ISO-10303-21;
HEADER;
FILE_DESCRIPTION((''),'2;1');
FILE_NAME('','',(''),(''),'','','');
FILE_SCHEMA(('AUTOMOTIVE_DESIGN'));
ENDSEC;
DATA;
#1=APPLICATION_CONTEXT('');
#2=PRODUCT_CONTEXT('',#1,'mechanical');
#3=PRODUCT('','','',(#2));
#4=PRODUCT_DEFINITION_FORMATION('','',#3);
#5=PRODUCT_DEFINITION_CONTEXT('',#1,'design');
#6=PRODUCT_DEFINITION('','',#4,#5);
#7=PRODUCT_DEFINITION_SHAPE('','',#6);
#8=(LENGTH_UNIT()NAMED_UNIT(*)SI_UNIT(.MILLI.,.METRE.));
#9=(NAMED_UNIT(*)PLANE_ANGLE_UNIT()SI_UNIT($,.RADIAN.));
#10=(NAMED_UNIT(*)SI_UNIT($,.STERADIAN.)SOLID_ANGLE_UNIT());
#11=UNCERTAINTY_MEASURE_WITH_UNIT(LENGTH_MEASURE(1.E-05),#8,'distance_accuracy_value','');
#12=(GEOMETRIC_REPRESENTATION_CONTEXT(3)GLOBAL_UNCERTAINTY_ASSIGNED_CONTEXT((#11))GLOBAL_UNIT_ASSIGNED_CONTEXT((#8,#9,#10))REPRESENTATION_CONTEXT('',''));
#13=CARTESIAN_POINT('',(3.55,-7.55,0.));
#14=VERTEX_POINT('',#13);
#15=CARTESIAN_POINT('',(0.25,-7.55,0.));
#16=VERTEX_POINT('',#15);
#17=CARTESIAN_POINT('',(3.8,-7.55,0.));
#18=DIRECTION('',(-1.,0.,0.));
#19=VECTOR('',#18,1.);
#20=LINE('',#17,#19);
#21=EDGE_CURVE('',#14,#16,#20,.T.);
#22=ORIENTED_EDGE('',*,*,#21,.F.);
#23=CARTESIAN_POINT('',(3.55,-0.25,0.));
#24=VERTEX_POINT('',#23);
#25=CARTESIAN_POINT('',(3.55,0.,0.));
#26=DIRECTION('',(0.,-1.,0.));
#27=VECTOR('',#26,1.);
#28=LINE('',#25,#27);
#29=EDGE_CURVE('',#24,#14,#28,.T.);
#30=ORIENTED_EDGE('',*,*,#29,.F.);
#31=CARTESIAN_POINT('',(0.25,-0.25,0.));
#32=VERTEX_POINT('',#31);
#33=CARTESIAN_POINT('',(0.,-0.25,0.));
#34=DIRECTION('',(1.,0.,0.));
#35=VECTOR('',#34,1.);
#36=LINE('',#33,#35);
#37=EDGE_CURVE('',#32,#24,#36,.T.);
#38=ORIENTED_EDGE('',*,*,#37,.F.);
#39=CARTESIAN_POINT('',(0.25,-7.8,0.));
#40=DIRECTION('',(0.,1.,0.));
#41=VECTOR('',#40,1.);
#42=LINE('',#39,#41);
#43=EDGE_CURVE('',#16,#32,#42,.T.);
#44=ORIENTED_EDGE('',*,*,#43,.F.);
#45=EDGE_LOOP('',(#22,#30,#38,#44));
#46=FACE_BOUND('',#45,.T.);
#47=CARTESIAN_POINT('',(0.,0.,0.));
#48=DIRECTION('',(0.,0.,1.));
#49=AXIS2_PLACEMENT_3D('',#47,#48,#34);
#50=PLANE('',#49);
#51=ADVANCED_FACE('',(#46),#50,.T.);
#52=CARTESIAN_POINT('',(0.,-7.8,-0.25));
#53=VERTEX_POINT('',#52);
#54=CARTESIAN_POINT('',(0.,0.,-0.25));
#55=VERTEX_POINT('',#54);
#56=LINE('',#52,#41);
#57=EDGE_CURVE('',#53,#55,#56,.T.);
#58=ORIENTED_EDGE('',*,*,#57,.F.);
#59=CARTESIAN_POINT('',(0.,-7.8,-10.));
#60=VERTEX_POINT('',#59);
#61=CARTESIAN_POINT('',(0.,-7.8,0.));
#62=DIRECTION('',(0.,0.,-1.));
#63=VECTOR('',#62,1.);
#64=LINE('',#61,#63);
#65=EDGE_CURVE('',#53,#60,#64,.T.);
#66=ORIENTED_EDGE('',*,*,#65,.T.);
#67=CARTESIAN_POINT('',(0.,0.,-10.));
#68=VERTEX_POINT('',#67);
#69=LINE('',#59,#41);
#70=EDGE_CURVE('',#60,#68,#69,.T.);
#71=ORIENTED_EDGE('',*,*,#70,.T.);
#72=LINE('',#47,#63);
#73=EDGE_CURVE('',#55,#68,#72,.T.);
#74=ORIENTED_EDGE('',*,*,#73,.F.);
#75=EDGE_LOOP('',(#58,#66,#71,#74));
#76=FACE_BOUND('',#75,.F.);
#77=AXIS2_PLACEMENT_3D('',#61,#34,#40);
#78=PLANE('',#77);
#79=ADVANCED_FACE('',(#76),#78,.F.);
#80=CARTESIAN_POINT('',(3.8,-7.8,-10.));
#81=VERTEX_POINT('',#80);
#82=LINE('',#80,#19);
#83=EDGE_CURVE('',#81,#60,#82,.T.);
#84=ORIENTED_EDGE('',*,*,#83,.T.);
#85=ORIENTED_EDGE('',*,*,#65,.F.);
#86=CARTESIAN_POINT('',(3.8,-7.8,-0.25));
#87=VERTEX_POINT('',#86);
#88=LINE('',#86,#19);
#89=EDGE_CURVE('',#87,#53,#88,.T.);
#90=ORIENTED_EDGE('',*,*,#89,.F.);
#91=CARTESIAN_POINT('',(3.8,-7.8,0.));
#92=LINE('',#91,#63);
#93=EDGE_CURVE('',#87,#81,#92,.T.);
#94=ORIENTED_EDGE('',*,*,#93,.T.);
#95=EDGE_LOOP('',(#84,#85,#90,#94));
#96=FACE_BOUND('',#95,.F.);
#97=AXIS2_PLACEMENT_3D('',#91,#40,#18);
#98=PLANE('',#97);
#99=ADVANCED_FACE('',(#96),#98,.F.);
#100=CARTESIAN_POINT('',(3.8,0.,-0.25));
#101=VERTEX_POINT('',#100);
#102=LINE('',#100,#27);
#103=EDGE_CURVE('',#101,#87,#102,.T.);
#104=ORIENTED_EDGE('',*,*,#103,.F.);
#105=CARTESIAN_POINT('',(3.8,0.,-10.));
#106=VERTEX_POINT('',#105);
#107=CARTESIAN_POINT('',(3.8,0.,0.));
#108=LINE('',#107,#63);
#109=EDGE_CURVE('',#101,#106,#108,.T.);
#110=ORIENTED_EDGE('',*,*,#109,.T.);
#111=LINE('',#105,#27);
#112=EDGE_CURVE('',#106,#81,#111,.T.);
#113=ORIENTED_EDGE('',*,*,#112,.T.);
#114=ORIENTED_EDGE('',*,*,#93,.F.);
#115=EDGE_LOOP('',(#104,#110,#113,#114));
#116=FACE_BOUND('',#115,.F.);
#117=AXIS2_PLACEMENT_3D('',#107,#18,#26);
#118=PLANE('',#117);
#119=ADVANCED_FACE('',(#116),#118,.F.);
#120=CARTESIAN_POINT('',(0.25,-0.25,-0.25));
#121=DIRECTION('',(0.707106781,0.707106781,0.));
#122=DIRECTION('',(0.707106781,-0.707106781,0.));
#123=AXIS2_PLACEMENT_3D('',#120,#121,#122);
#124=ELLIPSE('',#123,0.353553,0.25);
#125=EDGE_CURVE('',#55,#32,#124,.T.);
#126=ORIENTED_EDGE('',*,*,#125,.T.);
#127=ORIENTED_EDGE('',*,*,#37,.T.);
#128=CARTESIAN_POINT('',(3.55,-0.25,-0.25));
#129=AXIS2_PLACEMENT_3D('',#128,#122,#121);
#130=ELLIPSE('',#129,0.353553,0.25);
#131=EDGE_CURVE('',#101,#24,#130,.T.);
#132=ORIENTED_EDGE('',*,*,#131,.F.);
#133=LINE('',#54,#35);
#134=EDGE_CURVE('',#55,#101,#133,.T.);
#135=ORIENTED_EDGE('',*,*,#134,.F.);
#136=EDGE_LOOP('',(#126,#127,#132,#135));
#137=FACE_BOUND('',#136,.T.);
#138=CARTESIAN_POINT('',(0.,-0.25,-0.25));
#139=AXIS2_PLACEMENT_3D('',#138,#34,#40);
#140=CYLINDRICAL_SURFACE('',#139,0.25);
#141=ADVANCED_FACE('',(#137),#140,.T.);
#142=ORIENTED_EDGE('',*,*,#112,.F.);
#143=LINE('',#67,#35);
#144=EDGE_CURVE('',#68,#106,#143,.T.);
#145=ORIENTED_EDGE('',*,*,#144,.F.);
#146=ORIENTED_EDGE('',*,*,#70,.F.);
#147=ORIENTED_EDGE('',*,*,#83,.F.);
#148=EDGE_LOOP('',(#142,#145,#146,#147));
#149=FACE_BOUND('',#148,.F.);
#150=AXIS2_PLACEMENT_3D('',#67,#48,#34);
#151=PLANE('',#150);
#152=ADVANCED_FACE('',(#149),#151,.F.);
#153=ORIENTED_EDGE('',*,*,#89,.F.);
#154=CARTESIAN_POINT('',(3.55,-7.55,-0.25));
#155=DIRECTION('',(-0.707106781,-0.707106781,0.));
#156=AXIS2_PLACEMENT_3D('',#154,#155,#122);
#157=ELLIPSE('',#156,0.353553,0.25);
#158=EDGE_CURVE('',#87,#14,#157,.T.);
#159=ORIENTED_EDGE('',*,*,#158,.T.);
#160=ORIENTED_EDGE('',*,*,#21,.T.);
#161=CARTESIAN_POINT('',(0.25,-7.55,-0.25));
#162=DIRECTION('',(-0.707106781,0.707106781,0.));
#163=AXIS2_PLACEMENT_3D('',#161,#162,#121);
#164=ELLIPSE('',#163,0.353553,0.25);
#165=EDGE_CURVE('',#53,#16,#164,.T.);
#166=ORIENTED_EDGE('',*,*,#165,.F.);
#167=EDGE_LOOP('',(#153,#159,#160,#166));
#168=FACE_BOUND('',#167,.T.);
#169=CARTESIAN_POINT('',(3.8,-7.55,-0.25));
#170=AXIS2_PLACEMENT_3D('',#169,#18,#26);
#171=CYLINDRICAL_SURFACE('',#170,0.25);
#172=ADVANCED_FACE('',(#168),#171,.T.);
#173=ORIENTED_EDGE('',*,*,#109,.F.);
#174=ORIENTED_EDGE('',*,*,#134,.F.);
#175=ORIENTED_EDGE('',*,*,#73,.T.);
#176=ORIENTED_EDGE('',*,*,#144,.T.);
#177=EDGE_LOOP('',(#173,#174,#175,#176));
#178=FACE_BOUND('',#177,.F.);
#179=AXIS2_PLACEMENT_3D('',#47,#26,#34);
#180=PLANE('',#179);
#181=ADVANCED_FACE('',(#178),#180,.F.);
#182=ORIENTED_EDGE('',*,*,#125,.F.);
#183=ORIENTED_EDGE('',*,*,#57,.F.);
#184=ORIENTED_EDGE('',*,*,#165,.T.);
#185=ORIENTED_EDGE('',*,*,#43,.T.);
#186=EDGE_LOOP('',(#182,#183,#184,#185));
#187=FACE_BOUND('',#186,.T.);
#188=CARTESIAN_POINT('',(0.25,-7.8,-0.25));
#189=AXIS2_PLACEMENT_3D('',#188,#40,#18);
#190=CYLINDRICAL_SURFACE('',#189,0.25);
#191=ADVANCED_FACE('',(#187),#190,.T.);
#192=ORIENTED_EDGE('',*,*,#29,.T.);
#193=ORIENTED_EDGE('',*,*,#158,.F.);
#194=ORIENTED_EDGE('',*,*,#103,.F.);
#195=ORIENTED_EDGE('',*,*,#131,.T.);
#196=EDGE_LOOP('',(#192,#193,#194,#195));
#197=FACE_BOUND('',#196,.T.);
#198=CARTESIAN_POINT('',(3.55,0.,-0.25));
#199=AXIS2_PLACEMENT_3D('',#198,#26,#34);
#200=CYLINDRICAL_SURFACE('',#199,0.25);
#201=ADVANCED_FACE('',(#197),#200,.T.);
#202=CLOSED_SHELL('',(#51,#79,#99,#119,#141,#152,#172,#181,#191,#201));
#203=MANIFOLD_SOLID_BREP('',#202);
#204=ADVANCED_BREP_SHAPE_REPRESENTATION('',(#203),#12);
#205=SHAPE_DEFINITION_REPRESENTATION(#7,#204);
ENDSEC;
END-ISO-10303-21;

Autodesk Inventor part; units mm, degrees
ref_plane "YZ Plane" through (0, 0, 0) normal (1, 0, 0) x (0, 1, 0)
ref_plane "XZ Plane" through (0, 0, 0) normal (0, 1, 0) x (-1, 0, 0)
ref_plane "XY Plane" through (0, 0, 0) normal (0, 0, 1) x (1, 0, 0)
sketch "Sketch1" plane through (0, 0, 0) normal (0, 0, 1) x (1, 0, 0)
  line L0 (0, 0) -> (3.8, 0)
  line L1 (3.8, 0) -> (3.8, -7.8)
  line L2 (3.8, -7.8) -> (0, -7.8)
  line L3 (0, -7.8) -> (0, 0)
  dimension "d0" = 3.8
  dimension "d1" = 7.8
extrude "Extrusion1" add sketch "Sketch1" against normal blind 10
fillet "Fillet1" radius 0.25 4 edges at (1.9, 0, 0) (0, -3.9, 0) (3.8, -3.9, 0) (1.9, -7.8, 0)
equation "\"d0\" = BL_width"
equation "\"d1\" = BL_length"
equation "\"d2\" = BL_depth"
equation "\"d4\" = W_filletRadius"
equation "\"Wheel_Related_W_\" = 0"
equation "\"W_innerDepth\" = 4"
equation "\"W_wallThickness\" = 2"
equation "\"W_holesClearance\" = 0.3"
equation "\"W_outerGearHoleDiameter\" = 5.3"
equation "\"W_innerGearHoleDiameter\" = 10.1"
equation "\"TempSpotReserved7\" = 0"
equation "\"TempSpotReserved8\" = 0"
equation "\"TempSpotReserved9\" = 0"
equation "\"TempSpotReserved10\" = 0"
equation "\"Inner_Gear_Related_IG_\" = 0"
equation "\"IG_shaftDiameter\" = 7.5"
equation "\"IG_shaftLength\" = 17"
equation "\"IG_gearThickness\" = 2"
equation "\"IG_ratioToOuterGear\" = 1.25"
equation "\"IG_skirtThickness\" = 2"
equation "\"IG_extentionLength\" = 19.5"
equation "\"IG_extentionThickness\" = 3"
equation "\"IG_slitWidth\" = 4"
equation "\"IG_slitlength\" = 8"
equation "\"Outer_Gear_Related_OG_\" = 0"
equation "\"OG_distanceFromCenter\" = 22.5"
equation "\"OG_shaftDiameter\" = 5"
equation "\"OG_gearDiameter\" = 25"
equation "\"OG_shaftLength\" = 9"
equation "\"OG_gearThickness\" = 2"
equation "\"OG_skirtOffset\" = 5"
equation "\"OG_skirtThickness\" = 1"
equation "\"TempSpotReserved29\" = 0"
equation "\"TempSpotReserved30\" = 0"
equation "\"Leg_Extensions_Related_LE_\" = 0"
equation "\"LE_baseDiameter\" = 5"
equation "\"LE_maxLength\" = 23.67256"
equation "\"LE_thickness\" = 2.5"
equation "\"LE_offsetAboveOuterGear\" = 0"
equation "\"TempSpotReserved35\" = 0"
equation "\"TempSpotReserved36\" = 0"
equation "\"TempSpotReserved37\" = 0"
equation "\"TempSpotReserved38\" = 0"
equation "\"TempSpotReserved39\" = 0"
equation "\"TempSpotReserved40\" = 0"
equation "\"Bearing_Related_B_\" = 0"
equation "\"B_bearingThickness\" = 1"
equation "\"TempSpotReserved42\" = 0"
equation "\"TempSpotReserved43\" = 0"
equation "\"TempSpotReserved44\" = 0"
equation "\"TempSpotReserved45\" = 0"
equation "\"TempSpotReserved46\" = 0"
equation "\"TempSpotReserved47\" = 0"
equation "\"TempSpotReserved48\" = 0"
equation "\"TempSpotReserved49\" = 0"
equation "\"TempSpotReserved50\" = 0"
equation "\"IG_slitDistanceFromCenterHole\" = 7"
equation "\"IG_slitClearance\" = 0.2"
equation "\"Reserved_10\" = 0"
equation "\"Reserved_9\" = 0"
equation "\"Reserved_11\" = 0"
equation "\"Reserved_12\" = 0"
equation "\"Reserved_8\" = 0"
equation "\"Reserved_7\" = 0"
equation "\"Reserved_26\" = 0"
equation "\"Reserved_20\" = 0"
equation "\"Reserved_22\" = 0"
equation "\"Reserved_23\" = 0"
equation "\"Reserved_25\" = 0"
equation "\"Reserved_24\" = 0"
equation "\"Reserved_21\" = 0"
equation "\"Reserved_19\" = 0"
equation "\"Reserved_27\" = 0"
equation "\"Reserved_14\" = 0"
equation "\"Reserved_15\" = 0"
equation "\"Reserved_16\" = 0"
equation "\"Reserved_13\" = 0"
equation "\"Reserved_17\" = 0"
equation "\"Reserved_18\" = 0"
equation "\"Bearing_Related_BR_\" = 0"
equation "\"BR_bearingThickness\" = 1"
equation "\"Block_Related_BL_\" = 0"
equation "\"BL_width\" = 3.8"
equation "\"BL_length\" = 7.8"
equation "\"BL_depth\" = 10"
equation "\"W_filletRadius\" = 0.25"
equation "\"W_extrutsionTaperAngle\" = 2deg"
equation "\"OG_protrudeDistance\" = 3"
equation "\"IG_dAxleDepth\" = 5"
equation "\"IG_dAxleShort\" = 1.5"
equation "\"IG_dAxleCircleDiameter\" = 2"
equation "\"IG_gearRatio\" = 1.25"
properties part number "block"
